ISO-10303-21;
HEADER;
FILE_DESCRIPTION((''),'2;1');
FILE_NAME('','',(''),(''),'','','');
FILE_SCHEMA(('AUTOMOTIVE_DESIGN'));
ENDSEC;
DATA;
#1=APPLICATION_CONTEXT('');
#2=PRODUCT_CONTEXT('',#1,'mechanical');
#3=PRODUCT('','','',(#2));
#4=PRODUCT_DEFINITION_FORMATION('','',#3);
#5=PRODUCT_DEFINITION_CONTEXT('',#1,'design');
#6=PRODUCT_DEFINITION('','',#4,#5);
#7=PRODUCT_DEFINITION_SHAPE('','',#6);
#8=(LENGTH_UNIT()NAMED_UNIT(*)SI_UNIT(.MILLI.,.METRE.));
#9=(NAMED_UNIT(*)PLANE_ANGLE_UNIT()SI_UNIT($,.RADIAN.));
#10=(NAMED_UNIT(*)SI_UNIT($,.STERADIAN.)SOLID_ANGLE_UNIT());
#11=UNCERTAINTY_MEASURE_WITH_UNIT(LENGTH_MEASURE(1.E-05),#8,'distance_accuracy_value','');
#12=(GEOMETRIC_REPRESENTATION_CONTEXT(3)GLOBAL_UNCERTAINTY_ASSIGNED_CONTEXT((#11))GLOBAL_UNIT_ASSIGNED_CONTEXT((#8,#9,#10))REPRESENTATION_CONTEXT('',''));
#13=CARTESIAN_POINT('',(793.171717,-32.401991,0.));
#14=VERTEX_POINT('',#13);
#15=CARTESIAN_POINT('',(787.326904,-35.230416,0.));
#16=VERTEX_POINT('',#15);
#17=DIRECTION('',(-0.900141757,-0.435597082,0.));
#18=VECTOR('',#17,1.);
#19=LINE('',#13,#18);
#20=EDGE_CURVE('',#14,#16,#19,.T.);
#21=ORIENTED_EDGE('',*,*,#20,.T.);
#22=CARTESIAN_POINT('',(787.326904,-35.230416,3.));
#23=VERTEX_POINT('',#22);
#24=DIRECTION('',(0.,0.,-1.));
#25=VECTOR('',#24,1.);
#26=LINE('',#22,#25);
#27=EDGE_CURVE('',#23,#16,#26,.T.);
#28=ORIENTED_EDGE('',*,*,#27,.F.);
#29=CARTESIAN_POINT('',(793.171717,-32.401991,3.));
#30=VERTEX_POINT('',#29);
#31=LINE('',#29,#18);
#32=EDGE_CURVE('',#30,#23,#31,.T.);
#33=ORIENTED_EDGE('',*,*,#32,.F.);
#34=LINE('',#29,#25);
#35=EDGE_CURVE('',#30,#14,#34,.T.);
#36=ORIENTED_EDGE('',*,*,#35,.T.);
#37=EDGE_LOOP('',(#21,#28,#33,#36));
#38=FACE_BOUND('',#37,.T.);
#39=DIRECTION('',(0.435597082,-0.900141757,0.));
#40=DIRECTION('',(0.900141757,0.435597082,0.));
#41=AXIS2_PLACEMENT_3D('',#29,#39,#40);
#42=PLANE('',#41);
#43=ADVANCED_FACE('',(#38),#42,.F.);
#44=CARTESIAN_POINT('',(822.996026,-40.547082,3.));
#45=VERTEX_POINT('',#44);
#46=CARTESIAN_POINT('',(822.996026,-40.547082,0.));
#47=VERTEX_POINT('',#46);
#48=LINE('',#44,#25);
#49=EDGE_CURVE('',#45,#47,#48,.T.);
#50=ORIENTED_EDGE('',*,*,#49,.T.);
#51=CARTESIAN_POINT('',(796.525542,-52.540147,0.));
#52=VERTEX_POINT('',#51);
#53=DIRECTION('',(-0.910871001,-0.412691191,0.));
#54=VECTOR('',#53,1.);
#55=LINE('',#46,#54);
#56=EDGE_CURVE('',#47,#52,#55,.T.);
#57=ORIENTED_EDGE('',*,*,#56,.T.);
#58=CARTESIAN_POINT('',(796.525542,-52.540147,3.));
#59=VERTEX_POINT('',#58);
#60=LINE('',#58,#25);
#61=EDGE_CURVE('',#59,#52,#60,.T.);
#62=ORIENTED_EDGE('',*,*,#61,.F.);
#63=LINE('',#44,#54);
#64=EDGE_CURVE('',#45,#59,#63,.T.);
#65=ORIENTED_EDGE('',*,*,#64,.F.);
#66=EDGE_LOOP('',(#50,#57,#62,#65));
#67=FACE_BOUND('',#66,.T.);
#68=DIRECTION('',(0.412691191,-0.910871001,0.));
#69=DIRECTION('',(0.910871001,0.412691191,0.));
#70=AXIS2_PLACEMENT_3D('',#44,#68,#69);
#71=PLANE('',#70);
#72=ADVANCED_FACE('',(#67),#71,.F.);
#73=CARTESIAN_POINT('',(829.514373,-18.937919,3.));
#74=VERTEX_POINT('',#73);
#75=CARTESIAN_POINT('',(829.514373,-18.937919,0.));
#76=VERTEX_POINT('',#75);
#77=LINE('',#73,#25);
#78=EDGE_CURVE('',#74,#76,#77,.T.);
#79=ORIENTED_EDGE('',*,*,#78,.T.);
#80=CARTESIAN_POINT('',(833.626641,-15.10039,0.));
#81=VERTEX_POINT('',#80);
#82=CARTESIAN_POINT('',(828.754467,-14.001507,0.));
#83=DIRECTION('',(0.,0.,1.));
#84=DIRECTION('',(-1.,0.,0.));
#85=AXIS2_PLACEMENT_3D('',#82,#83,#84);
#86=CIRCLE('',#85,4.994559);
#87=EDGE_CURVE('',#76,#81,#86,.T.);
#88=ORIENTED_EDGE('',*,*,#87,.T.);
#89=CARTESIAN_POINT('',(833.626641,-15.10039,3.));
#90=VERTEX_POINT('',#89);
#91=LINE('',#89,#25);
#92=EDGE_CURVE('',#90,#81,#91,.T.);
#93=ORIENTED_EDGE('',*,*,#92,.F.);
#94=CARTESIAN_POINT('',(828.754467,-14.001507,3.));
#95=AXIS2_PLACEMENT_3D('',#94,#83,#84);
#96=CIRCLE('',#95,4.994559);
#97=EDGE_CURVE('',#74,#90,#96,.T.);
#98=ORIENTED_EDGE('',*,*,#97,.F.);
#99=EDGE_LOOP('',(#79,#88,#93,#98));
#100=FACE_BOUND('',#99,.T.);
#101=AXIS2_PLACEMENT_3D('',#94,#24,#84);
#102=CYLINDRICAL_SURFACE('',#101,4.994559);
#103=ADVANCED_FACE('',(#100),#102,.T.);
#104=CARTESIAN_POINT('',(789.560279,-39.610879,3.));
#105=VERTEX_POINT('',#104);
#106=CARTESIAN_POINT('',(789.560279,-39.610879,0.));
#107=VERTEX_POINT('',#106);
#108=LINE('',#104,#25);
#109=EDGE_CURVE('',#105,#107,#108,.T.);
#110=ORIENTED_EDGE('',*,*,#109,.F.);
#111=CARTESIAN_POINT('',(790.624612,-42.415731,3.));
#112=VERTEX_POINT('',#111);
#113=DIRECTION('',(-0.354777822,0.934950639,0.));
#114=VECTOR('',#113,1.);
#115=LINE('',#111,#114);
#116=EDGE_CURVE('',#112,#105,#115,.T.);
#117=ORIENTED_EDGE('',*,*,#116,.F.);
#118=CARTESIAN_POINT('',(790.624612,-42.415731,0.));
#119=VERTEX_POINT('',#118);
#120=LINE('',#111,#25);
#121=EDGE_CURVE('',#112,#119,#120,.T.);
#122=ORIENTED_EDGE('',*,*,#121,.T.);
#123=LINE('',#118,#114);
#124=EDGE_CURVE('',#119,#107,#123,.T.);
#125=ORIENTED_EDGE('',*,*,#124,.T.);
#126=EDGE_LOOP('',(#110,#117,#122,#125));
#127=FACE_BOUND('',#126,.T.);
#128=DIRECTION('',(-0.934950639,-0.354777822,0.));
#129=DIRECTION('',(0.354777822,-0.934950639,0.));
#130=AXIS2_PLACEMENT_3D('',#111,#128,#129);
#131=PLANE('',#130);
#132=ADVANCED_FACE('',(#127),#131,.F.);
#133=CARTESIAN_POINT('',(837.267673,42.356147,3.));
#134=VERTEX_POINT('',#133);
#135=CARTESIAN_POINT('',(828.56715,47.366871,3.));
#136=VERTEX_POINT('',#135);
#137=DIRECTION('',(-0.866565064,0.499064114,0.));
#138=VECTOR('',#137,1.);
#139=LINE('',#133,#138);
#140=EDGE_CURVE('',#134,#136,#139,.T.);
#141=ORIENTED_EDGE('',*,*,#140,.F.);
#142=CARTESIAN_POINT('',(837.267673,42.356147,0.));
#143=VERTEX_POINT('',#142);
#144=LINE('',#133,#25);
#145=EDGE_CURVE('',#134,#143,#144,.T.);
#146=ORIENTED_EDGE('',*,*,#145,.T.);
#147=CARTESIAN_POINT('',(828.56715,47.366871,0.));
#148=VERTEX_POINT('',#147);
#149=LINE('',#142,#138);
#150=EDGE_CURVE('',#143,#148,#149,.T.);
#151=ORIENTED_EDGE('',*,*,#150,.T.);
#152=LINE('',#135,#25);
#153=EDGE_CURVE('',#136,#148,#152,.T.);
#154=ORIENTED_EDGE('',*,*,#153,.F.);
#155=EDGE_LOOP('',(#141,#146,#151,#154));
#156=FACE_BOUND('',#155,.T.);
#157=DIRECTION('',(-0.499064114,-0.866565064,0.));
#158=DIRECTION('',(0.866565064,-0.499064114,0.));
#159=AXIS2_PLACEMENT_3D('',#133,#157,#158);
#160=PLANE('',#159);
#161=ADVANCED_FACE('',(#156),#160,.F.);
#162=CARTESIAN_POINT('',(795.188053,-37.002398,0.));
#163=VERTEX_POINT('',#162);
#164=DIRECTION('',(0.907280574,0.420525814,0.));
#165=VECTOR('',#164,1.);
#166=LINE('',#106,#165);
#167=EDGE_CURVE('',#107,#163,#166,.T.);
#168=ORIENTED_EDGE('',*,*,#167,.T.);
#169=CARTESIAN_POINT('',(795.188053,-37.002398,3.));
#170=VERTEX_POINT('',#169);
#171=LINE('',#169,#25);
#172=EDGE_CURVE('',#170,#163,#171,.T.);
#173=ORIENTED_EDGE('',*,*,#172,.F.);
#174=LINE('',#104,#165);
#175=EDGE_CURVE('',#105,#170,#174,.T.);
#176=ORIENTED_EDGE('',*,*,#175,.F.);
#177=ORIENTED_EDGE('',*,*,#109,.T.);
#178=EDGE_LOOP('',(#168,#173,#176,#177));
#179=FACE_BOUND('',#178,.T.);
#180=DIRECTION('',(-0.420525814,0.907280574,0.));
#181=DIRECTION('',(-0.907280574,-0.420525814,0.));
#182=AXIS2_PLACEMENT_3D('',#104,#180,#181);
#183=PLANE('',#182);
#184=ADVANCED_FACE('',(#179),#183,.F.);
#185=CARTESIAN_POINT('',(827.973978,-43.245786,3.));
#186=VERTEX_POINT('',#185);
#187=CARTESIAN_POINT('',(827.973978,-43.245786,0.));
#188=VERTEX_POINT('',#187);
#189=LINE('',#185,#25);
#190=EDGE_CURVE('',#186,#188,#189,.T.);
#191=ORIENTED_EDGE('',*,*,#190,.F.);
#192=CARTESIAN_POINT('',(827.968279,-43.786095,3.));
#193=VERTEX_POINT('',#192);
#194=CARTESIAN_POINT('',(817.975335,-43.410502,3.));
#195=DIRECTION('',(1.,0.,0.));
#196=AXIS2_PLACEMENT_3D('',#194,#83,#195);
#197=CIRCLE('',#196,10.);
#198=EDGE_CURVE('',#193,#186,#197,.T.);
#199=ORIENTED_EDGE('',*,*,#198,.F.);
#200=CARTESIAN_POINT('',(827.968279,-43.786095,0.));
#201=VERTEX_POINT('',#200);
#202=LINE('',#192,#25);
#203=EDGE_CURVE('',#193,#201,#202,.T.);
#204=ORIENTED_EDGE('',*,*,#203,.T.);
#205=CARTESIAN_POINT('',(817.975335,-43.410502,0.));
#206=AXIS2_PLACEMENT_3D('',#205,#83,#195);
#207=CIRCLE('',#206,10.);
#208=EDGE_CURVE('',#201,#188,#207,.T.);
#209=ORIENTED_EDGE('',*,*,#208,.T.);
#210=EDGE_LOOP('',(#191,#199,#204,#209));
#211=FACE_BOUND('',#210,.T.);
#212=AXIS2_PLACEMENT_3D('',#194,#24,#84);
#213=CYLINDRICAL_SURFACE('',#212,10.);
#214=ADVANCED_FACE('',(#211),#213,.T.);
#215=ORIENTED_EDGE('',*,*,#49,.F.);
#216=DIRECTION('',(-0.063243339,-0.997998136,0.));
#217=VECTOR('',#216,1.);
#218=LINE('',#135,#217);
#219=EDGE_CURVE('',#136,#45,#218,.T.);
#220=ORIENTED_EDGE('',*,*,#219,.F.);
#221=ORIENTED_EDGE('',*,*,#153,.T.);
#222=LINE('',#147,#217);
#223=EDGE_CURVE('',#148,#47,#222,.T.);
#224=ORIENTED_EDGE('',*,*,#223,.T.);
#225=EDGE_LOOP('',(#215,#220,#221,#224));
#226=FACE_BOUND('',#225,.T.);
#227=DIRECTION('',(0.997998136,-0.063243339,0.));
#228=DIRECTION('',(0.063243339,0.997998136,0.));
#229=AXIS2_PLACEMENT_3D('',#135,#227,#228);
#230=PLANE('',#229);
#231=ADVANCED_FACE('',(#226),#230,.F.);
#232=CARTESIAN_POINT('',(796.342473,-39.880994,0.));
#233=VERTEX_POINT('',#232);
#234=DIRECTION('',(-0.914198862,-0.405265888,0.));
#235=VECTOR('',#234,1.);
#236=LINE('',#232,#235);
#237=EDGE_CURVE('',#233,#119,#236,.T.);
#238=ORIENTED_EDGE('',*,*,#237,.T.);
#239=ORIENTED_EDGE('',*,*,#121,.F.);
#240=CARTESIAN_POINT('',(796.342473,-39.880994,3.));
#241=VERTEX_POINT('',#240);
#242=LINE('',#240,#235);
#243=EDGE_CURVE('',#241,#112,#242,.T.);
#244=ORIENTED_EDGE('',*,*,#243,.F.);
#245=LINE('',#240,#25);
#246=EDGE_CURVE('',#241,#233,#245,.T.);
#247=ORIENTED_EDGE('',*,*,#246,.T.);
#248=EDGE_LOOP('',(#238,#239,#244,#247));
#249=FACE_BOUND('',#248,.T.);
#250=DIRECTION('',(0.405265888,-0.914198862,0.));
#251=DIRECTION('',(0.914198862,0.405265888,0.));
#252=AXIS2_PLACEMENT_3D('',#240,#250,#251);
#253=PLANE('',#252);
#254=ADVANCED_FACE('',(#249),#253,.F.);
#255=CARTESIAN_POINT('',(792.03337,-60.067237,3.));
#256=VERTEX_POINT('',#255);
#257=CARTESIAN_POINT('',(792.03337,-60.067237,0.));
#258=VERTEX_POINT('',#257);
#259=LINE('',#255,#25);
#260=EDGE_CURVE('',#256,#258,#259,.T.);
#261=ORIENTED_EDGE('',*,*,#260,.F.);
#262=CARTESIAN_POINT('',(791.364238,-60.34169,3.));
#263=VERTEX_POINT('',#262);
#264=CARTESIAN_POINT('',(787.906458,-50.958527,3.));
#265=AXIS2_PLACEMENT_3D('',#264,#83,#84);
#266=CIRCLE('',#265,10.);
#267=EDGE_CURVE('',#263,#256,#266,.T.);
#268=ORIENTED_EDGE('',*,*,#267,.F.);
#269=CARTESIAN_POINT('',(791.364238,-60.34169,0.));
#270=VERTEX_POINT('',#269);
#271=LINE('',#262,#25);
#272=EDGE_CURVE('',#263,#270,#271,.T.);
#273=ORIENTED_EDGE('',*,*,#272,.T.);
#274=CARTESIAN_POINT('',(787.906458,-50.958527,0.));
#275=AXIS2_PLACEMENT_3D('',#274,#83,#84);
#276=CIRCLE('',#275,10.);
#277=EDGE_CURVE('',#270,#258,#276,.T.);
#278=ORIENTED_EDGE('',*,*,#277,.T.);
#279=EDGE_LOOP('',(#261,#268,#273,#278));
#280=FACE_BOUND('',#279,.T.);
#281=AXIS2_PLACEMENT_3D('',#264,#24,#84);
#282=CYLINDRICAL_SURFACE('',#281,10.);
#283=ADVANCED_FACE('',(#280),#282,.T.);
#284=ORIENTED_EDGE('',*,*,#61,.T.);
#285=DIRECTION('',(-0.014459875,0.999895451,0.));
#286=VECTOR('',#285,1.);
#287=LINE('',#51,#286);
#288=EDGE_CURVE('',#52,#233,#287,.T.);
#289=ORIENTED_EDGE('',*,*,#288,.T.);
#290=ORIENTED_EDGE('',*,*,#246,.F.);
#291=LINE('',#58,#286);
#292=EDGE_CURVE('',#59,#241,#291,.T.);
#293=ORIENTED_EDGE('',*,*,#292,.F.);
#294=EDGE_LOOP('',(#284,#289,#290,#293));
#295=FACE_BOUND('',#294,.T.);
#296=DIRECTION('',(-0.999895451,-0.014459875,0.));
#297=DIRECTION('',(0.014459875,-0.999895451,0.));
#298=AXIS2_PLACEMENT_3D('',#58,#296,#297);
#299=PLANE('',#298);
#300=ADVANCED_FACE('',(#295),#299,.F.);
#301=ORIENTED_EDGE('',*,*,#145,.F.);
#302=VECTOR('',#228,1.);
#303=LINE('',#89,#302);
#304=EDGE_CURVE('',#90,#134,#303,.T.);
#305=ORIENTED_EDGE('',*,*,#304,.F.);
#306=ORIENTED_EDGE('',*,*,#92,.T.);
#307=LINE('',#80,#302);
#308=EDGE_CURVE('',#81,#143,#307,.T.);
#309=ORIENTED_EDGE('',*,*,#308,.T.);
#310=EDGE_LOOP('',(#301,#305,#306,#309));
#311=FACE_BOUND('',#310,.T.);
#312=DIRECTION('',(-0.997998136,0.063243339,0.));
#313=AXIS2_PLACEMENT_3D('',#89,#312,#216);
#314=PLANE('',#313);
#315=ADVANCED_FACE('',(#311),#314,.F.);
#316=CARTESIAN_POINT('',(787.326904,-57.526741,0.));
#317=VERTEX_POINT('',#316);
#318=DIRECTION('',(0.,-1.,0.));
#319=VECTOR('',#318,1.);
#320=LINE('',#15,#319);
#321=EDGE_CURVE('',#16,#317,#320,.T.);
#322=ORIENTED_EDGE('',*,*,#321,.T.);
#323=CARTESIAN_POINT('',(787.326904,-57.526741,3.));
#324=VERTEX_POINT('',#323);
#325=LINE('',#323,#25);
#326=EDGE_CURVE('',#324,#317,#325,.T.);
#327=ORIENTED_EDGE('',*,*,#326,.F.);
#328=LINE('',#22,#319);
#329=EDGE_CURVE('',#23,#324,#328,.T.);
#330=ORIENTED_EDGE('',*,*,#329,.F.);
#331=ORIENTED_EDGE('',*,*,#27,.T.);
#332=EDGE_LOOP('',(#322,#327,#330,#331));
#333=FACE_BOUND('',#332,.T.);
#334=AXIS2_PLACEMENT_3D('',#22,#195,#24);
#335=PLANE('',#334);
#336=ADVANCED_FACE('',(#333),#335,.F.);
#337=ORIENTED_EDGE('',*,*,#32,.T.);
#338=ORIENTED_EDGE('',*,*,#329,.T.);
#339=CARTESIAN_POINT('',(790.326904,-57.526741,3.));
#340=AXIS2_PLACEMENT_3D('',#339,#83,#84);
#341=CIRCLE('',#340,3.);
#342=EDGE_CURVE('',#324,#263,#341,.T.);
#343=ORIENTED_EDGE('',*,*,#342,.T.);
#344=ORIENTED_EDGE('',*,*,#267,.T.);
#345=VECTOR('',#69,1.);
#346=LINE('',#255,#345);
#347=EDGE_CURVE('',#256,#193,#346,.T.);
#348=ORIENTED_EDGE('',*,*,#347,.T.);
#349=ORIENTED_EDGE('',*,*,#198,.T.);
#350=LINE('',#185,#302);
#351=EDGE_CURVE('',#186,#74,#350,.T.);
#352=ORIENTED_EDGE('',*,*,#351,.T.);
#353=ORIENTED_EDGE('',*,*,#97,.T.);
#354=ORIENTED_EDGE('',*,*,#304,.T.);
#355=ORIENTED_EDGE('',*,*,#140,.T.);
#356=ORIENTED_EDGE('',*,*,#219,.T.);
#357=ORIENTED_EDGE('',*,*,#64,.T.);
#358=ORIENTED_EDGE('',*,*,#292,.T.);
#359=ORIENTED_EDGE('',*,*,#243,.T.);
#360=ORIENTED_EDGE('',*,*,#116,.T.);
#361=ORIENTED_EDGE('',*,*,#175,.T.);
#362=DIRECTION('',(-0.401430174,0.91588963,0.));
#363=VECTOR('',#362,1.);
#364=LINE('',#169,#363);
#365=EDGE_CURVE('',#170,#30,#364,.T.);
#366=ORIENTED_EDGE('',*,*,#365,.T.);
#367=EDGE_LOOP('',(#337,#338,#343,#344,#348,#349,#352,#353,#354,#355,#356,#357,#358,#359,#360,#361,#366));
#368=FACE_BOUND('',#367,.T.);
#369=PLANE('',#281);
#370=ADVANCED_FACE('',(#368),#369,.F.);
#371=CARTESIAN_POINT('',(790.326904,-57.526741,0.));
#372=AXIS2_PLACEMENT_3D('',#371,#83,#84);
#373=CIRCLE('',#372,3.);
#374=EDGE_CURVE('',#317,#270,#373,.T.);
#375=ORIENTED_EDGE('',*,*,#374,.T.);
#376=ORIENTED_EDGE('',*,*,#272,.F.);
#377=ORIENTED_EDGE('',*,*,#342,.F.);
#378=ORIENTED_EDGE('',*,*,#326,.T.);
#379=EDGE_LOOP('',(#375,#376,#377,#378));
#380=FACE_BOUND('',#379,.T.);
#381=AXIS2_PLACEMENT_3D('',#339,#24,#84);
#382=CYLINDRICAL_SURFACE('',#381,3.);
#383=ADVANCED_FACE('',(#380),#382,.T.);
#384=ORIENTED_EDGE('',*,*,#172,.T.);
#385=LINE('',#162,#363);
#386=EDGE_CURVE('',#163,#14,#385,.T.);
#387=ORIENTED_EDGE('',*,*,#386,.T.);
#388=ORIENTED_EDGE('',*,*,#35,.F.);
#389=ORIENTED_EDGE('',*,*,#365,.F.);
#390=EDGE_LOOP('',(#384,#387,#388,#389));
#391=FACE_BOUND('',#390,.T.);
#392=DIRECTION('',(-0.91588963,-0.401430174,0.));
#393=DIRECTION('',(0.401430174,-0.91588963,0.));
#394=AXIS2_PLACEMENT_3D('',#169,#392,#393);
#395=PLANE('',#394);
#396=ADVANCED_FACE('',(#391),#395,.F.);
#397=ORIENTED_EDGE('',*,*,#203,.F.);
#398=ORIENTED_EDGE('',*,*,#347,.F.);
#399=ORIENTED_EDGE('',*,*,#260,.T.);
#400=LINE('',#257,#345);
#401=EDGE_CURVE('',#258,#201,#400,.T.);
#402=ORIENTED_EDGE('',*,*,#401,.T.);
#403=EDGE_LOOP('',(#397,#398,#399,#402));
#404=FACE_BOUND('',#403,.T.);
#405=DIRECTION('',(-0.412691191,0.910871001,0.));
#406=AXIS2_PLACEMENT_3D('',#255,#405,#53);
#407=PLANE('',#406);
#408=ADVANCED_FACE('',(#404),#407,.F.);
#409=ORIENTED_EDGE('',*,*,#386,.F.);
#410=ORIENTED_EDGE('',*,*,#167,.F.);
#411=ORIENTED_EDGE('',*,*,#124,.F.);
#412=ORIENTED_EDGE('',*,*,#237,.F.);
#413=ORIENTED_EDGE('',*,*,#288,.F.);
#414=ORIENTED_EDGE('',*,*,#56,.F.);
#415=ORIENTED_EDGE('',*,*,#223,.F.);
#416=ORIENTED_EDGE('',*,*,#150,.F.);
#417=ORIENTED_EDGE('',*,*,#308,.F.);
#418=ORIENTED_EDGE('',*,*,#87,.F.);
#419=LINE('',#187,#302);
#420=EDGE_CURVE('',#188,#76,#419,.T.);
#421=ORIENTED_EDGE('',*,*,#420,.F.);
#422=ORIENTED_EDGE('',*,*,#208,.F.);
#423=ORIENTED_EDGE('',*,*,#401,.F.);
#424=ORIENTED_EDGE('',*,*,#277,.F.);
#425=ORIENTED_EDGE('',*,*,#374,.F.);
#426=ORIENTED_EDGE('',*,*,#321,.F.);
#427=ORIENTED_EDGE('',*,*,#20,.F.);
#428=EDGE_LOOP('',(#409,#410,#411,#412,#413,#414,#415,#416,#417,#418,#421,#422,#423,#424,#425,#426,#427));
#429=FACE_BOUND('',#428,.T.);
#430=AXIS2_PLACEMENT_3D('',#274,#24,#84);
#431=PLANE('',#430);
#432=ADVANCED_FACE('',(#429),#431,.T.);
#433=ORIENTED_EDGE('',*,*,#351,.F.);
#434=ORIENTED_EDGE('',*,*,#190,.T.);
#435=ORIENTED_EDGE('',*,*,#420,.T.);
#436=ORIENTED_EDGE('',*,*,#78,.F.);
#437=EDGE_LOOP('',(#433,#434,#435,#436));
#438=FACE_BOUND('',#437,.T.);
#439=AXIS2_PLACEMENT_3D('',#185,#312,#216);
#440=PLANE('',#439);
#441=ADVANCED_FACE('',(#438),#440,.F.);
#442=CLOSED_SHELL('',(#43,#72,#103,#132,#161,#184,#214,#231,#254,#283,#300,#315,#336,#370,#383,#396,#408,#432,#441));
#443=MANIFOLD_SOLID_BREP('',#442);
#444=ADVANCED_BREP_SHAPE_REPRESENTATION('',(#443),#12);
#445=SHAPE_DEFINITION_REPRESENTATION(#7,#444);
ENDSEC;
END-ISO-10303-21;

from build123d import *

# Parameters (mm, degrees)
BASE_EXTRUDE_DEPTH = 3


with BuildPart() as part:
    # Sketch1 → Base-Extrude (new body)
    with BuildSketch(Plane.XY):
        with BuildLine():
            Line((827.973978263, -43.245786047), (829.514372586, -18.937919224))
            ThreePointArc((829.514372586, -18.937919224), (832.162066859, -17.653066314), (833.626640717, -15.100390193))
            Line((833.626640717, -15.100390193), (837.267672807, 42.356146641))
            Line((837.267672807, 42.356146641), (828.567150472, 47.366870762))
            Line((828.567150472, 47.366870762), (822.996025927, -40.547081848))
            Line((822.996025927, -40.547081848), (796.525541864, -52.540147354))
            Line((796.525541864, -52.540147354), (796.34247294, -39.8809937))
            Line((796.34247294, -39.8809937), (790.624612073, -42.415731004))
            Line((790.624612073, -42.415731004), (789.560278608, -39.610879088))
            Line((789.560278608, -39.610879088), (795.188053447, -37.002397586))
            Line((795.188053447, -37.002397586), (793.171716746, -32.401991353))
            Line((793.171716746, -32.401991353), (787.326904418, -35.230416068))
            Line((787.326904418, -35.230416068), (787.326904418, -57.526741279))
            ThreePointArc((787.326904418, -57.526741279), (788.61109588, -59.98763564), (791.364238458, -60.341690318))
            ThreePointArc((791.364238458, -60.341690318), (791.701286321, -60.210514776), (792.033370234, -60.067236869))
            Line((792.033370234, -60.067236869), (827.968278958, -43.7860947))
            ThreePointArc((827.968278958, -43.7860947), (827.974778648, -43.515978875), (827.973978263, -43.245786047))
        make_face()
    extrude(amount=BASE_EXTRUDE_DEPTH)


solid = part.part
